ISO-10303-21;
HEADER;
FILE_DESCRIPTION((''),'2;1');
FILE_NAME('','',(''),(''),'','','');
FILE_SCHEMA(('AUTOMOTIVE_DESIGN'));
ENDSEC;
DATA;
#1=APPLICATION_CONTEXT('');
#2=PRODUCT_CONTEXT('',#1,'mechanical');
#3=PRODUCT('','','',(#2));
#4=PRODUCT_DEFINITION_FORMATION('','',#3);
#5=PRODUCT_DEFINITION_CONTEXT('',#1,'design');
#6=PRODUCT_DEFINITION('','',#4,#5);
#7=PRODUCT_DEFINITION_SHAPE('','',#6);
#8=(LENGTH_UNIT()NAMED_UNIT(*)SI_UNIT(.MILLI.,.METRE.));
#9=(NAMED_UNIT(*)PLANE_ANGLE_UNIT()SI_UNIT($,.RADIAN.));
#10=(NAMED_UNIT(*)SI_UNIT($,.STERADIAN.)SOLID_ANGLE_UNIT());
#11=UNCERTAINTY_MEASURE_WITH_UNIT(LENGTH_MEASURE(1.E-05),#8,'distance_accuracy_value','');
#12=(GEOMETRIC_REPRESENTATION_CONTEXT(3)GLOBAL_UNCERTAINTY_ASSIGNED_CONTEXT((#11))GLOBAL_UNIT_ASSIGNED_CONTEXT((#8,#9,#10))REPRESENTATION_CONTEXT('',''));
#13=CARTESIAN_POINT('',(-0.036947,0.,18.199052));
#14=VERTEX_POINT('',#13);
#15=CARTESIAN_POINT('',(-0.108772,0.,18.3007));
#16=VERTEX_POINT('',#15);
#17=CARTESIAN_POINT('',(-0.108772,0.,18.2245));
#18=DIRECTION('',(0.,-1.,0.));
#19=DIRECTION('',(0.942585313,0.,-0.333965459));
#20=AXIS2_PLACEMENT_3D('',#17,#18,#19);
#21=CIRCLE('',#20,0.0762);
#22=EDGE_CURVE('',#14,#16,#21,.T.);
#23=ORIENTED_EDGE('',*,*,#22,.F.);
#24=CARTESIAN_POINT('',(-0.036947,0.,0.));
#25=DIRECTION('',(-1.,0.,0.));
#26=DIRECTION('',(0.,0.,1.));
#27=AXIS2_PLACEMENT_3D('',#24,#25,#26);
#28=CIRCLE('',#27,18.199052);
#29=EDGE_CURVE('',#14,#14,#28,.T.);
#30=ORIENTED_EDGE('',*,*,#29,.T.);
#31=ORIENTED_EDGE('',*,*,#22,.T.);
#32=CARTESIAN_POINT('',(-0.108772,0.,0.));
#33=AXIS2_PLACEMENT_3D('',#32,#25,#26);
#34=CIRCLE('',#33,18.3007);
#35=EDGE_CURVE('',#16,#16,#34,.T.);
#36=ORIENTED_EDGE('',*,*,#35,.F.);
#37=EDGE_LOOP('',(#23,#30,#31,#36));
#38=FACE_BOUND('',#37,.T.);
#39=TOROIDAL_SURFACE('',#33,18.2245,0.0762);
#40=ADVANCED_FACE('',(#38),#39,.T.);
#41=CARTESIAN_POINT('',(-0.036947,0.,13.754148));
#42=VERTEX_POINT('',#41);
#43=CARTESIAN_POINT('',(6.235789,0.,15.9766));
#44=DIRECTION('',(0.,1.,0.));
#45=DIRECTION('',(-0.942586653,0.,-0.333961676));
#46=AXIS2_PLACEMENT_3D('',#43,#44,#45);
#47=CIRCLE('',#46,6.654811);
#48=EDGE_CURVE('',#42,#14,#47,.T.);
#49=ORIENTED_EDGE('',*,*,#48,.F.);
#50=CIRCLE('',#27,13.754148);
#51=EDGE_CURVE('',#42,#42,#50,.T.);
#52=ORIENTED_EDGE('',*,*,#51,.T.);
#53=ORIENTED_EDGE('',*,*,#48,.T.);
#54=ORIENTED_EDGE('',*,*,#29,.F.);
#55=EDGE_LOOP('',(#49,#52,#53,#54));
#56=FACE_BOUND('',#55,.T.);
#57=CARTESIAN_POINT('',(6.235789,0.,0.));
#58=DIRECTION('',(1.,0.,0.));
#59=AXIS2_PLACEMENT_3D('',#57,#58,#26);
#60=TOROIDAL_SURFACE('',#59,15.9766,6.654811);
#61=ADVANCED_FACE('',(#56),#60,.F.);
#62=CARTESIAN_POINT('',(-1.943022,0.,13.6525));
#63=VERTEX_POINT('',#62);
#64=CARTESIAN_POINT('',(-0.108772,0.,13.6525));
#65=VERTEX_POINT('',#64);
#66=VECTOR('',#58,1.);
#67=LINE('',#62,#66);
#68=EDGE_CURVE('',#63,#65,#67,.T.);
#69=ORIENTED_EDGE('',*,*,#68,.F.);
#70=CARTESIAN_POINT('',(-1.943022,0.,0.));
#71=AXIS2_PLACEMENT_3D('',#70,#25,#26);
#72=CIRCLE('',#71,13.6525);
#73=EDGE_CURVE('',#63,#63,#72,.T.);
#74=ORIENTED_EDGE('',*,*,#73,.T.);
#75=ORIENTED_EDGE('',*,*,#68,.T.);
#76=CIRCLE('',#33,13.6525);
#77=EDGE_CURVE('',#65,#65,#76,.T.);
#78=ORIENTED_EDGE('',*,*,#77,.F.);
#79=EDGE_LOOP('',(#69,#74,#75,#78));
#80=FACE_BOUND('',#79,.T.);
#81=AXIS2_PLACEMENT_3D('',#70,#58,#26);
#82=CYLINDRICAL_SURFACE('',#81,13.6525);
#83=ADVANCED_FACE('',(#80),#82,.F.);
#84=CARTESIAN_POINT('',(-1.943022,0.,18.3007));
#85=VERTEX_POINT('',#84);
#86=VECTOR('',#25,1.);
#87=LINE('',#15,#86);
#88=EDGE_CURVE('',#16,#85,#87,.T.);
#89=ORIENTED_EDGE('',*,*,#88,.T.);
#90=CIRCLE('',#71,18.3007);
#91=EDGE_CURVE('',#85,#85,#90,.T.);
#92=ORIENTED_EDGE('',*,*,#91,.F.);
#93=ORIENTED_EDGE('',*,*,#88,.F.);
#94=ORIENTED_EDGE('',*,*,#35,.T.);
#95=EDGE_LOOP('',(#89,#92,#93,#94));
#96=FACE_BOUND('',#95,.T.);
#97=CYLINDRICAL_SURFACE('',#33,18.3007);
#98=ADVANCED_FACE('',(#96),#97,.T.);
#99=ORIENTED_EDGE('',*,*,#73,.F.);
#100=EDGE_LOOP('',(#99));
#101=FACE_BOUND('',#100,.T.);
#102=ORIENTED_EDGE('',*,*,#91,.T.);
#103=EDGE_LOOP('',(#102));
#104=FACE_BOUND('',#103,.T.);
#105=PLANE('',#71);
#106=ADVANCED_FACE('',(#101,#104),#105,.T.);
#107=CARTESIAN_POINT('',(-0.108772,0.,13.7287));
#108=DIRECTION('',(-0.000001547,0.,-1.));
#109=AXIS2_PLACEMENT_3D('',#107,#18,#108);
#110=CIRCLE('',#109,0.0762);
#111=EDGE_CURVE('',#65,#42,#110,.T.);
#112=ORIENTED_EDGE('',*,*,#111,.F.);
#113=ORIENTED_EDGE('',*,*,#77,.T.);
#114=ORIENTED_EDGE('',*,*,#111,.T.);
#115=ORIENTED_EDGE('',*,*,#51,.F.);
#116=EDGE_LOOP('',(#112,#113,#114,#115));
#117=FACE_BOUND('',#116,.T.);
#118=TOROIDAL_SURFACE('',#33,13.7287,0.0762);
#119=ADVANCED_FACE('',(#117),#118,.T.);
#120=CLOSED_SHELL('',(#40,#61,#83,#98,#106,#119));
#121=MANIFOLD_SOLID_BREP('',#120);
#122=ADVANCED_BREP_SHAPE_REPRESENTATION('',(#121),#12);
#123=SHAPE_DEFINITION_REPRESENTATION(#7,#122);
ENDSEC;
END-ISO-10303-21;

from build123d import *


with BuildPart() as f1:
    # F0 (on Front) → F1 (revolve)
    with BuildSketch(Plane.XZ):
        with BuildLine():
            ThreePointArc((-0.036947, 18.199052), (-0.04654, 18.268473), (-0.108772, 18.3007))
            Line((-0.108772, 18.3007), (-1.943022, 18.3007))
            Line((-1.943022, 18.3007), (-1.943022, 13.6525))
            Line((-1.943022, 13.6525), (-0.108772, 13.6525))
            ThreePointArc((-0.108772, 13.6525), (-0.04654, 13.684727), (-0.036947, 13.754148))
            ThreePointArc((-0.036947, 13.754148), (-0.419022, 15.9766), (-0.036947, 18.199052))
        make_face()
    revolve(axis=Axis((-3.079263, 0, 0), (-1, 0, 0)))


solid = f1.part
